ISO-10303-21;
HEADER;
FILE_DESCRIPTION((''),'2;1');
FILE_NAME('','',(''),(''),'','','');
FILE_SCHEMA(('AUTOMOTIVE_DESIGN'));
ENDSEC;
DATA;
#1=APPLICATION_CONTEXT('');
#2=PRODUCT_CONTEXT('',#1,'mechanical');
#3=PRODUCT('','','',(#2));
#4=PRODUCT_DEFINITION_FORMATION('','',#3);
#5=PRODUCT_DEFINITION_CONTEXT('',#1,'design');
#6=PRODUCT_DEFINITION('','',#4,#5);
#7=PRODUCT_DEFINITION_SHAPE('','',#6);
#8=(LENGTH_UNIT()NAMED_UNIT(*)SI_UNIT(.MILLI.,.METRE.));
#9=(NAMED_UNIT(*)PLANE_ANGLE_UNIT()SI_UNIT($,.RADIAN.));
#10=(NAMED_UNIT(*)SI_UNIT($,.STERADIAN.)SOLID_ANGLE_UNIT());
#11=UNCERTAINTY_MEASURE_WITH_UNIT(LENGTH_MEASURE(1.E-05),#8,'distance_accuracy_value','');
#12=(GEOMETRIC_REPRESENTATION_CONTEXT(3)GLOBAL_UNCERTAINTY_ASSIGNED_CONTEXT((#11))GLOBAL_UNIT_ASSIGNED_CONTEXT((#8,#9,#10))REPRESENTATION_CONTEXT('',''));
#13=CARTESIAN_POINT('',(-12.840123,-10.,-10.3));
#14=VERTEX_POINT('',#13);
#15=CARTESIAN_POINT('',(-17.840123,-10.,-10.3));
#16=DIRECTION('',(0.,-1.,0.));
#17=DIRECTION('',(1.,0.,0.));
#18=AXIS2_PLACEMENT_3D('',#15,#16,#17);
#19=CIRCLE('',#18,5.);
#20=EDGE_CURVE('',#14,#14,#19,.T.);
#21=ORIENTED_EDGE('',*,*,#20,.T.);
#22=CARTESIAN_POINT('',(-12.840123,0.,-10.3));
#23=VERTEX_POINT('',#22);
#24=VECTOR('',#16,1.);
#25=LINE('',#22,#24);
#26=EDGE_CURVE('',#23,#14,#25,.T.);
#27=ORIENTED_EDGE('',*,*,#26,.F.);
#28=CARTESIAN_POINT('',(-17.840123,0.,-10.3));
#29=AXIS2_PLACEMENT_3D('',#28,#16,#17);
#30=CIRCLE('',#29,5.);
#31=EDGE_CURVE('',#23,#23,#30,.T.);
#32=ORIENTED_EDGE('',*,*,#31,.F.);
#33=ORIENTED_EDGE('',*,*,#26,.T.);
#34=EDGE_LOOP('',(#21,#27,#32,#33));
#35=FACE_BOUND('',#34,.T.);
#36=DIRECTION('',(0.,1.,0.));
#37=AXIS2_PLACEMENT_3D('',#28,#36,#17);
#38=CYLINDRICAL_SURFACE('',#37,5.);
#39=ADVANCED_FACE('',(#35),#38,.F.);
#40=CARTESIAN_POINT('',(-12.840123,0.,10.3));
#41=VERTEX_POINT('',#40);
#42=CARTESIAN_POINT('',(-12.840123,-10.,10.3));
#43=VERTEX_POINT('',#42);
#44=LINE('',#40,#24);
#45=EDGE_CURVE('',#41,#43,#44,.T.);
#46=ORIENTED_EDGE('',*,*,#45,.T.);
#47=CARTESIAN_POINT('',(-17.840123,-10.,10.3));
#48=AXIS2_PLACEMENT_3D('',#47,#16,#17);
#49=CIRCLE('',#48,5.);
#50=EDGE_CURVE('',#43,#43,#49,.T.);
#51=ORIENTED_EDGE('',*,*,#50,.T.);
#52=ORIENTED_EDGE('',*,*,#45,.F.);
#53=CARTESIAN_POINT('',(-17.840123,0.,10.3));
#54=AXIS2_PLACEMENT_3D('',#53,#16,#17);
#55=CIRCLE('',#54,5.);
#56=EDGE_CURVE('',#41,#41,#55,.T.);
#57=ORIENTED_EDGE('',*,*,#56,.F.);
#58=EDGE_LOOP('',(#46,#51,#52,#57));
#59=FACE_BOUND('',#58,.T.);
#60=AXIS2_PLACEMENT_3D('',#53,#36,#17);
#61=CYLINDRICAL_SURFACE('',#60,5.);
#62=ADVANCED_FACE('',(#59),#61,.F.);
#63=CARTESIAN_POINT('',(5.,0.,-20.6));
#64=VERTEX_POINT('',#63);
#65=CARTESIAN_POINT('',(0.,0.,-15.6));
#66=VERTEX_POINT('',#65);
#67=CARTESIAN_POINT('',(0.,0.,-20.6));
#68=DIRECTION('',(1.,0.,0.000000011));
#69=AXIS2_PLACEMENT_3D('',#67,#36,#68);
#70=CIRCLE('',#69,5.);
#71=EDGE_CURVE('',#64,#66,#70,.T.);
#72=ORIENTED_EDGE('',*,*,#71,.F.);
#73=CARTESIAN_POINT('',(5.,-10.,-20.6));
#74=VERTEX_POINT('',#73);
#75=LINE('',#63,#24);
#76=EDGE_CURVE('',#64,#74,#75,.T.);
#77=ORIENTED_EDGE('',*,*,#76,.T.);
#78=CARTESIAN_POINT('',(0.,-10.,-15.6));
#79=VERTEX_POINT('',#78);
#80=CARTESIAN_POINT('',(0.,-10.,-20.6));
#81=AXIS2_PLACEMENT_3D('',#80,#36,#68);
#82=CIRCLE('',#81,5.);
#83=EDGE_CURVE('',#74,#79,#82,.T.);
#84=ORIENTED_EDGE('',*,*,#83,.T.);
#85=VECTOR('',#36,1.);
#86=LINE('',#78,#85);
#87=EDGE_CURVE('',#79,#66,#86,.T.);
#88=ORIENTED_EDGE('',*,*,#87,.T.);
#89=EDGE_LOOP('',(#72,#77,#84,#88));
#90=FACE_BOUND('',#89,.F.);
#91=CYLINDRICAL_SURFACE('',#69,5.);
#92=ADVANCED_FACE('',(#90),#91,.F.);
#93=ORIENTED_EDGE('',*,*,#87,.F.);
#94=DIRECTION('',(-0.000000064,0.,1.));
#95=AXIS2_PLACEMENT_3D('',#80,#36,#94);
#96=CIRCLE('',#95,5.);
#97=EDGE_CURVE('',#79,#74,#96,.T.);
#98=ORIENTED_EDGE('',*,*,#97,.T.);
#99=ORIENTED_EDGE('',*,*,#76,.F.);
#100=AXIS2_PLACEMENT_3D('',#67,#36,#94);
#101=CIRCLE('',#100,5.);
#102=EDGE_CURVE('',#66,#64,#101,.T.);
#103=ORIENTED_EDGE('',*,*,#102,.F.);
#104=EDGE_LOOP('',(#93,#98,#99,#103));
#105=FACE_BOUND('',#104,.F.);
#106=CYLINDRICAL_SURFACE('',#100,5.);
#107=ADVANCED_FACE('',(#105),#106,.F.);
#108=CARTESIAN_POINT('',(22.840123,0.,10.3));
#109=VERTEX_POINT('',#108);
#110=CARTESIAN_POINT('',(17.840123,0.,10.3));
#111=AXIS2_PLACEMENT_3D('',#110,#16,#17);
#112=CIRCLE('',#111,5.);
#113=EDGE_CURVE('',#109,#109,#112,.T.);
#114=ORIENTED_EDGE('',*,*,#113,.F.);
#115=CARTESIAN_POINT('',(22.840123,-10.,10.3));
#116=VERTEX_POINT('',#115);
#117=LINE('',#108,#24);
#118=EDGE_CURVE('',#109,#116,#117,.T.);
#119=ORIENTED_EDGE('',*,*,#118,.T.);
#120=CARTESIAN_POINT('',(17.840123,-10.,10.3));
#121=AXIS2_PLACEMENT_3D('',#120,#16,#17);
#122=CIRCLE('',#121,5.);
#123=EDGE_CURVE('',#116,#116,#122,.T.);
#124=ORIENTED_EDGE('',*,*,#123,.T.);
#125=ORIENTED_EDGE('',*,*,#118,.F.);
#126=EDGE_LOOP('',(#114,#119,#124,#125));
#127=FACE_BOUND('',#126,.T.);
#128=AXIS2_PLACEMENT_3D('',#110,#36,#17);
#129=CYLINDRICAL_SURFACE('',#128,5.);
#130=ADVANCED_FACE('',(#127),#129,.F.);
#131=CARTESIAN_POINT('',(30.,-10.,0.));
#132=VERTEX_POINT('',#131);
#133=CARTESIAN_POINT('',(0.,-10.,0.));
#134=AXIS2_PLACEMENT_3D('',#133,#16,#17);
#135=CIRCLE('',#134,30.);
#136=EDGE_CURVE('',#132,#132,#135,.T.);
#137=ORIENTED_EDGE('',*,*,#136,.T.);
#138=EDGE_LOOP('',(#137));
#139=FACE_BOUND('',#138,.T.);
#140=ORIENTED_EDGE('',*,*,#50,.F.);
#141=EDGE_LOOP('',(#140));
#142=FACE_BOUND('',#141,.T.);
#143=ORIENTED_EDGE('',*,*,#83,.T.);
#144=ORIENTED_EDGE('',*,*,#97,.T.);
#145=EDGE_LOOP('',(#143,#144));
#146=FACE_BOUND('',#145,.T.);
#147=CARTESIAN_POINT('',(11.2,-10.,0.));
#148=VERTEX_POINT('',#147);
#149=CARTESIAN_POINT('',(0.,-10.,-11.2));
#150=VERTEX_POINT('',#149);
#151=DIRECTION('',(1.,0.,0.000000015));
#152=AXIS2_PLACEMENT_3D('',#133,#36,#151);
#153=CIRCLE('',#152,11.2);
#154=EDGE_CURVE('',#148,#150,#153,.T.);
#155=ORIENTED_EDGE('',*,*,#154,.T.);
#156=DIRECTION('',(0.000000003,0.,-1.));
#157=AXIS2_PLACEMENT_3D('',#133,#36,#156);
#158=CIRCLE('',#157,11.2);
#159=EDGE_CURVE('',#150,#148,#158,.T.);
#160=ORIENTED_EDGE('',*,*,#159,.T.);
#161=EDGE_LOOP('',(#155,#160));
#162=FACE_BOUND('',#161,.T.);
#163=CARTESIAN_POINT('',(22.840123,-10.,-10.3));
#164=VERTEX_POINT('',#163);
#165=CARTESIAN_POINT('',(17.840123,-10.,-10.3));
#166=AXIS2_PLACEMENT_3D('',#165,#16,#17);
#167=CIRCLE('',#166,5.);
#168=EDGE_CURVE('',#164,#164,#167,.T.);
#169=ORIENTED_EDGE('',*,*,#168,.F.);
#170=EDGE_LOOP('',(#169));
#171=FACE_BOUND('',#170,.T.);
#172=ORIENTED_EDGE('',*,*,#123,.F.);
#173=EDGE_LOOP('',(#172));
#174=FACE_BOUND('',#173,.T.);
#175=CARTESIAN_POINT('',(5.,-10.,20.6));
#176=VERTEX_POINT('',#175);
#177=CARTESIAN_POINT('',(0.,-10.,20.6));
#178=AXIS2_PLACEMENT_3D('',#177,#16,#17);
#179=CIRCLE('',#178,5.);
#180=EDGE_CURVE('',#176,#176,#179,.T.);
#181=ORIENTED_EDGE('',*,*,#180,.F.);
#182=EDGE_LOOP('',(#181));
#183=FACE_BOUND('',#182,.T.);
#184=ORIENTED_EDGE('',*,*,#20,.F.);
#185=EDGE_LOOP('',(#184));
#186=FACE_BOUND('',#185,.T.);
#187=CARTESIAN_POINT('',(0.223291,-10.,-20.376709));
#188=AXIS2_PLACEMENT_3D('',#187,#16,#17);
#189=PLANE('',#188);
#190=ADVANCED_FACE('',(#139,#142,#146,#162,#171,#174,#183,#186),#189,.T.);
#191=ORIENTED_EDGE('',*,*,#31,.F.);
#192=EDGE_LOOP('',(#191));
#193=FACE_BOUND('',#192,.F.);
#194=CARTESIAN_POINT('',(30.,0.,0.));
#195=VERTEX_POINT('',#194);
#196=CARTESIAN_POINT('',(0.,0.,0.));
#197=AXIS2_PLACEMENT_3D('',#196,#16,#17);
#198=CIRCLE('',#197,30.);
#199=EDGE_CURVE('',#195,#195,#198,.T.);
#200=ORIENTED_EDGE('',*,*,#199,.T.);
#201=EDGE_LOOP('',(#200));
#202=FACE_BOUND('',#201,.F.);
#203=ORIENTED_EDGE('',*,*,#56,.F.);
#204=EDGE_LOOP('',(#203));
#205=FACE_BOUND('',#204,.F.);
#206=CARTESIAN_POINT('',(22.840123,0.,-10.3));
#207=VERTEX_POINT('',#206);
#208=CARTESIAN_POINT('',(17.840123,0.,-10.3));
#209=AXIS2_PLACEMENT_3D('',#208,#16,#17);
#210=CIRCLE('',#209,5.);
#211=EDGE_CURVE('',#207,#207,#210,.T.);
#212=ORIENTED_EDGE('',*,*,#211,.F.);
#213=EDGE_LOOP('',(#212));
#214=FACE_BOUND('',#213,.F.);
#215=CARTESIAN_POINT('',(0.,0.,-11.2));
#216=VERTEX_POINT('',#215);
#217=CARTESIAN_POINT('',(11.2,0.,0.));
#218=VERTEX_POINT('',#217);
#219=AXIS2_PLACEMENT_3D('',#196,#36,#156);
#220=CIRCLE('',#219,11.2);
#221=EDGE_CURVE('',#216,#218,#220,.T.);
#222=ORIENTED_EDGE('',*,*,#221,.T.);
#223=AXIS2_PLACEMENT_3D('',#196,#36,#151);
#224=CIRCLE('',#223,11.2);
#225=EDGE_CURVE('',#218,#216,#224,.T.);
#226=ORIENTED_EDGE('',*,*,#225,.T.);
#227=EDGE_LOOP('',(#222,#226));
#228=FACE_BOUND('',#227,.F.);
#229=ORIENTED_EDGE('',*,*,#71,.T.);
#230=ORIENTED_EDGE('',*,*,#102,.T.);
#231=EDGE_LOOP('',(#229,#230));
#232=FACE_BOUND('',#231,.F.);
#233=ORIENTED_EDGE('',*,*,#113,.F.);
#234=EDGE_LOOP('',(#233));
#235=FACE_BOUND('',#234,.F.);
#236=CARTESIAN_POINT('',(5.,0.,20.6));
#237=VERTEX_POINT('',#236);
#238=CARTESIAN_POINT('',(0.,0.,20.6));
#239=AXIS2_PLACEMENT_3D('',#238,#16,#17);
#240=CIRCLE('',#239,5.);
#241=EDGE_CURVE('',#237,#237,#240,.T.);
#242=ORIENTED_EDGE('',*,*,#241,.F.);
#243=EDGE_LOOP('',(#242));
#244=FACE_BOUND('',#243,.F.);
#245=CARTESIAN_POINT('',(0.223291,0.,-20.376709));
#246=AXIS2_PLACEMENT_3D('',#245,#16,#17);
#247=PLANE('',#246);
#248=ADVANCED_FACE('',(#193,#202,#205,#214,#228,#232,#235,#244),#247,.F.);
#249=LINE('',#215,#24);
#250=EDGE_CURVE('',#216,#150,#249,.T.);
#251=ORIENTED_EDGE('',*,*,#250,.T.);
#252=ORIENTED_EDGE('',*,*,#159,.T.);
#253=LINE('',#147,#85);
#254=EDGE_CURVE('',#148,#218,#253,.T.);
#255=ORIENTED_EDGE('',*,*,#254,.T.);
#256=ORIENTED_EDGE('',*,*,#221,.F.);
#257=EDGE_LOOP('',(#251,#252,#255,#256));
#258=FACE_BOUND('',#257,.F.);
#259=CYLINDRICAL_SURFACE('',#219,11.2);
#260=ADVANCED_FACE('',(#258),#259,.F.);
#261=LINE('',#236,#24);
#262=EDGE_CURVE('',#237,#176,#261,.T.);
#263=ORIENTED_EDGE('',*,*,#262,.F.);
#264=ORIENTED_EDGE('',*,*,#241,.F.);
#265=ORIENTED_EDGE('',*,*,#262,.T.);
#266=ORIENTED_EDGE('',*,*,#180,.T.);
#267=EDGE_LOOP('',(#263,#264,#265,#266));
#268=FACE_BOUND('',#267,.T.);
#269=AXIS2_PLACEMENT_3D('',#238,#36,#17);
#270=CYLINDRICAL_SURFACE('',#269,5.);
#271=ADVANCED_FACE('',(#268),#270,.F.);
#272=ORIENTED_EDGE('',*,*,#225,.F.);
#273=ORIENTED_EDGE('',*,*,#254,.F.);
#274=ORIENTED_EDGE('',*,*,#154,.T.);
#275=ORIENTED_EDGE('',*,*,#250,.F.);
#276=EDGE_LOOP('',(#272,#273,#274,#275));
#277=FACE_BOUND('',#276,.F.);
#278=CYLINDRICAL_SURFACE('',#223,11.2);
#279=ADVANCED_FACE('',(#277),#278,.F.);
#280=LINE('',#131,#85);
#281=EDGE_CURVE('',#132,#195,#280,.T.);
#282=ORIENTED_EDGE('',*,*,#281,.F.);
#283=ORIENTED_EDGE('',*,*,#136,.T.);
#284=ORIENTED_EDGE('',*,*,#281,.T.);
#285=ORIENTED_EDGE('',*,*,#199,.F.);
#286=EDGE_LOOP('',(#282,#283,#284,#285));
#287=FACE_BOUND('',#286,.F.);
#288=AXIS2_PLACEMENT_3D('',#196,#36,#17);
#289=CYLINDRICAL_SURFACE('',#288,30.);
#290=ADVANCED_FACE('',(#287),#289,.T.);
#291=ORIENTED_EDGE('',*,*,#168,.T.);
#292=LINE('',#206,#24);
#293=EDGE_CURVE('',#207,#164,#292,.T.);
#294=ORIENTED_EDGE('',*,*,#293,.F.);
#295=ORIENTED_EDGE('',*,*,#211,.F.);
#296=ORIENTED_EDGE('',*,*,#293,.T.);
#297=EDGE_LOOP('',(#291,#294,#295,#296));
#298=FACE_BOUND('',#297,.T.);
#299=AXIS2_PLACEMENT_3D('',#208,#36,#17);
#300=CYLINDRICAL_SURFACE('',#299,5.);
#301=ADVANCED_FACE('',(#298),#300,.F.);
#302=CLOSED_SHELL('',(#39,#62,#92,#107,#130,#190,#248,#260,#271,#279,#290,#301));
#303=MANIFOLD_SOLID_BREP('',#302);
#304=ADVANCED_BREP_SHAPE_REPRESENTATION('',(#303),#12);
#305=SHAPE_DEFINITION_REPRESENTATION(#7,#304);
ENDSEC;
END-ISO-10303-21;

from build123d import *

# Parameters (mm, degrees)
F0_R     = 30
F0_R_2   = 5
F1_DEPTH = 7
F2_DEPTH = 10


with BuildPart() as f1:
    # F0 (on Front) → F1 (new body)
    with BuildSketch(Plane.XZ):
        with BuildLine():
            ThreePointArc((5, -20.6), (3.535534, -17.064466), (0, -15.6))
            ThreePointArc((0, -15.6), (-3.535534, -24.135534), (5, -20.6))
        make_face()
        Circle(F0_R)
        with Locations((-17.840123, -10.3)):
            Circle(F0_R_2, mode=Mode.SUBTRACT)
        with BuildLine():
            ThreePointArc((5, -20.6), (-3.535534, -24.135534), (0, -15.6))
            ThreePointArc((0, -15.6), (3.535534, -17.064466), (5, -20.6))
        make_face(mode=Mode.SUBTRACT)
        with Locations((17.840123, -10.3)):
            Circle(F0_R_2, mode=Mode.SUBTRACT)
        with Locations((-17.840123, 10.3)):
            Circle(F0_R_2, mode=Mode.SUBTRACT)
        with BuildLine():
            ThreePointArc((0, -11.2), (-7.919596, 7.919596), (11.2, 0))
            ThreePointArc((11.2, 0), (7.919596, -7.919596), (0, -11.2))
        make_face(mode=Mode.SUBTRACT)
        with Locations((17.840123, 10.3)):
            Circle(F0_R_2, mode=Mode.SUBTRACT)
        with Locations((0, 20.6)):
            Circle(F0_R_2, mode=Mode.SUBTRACT)
    extrude(amount=F1_DEPTH)

    # F0 (on Front) → F2 (join)
    with BuildSketch(Plane.XZ):
        with BuildLine():
            ThreePointArc((5, -20.6), (3.535534, -17.064466), (0, -15.6))
            ThreePointArc((0, -15.6), (-3.535534, -24.135534), (5, -20.6))
        make_face()
        Circle(F0_R)
        with Locations((-17.840123, -10.3)):
            Circle(F0_R_2, mode=Mode.SUBTRACT)
        with BuildLine():
            ThreePointArc((5, -20.6), (-3.535534, -24.135534), (0, -15.6))
            ThreePointArc((0, -15.6), (3.535534, -17.064466), (5, -20.6))
        make_face(mode=Mode.SUBTRACT)
        with Locations((17.840123, -10.3)):
            Circle(F0_R_2, mode=Mode.SUBTRACT)
        with Locations((-17.840123, 10.3)):
            Circle(F0_R_2, mode=Mode.SUBTRACT)
        with BuildLine():
            ThreePointArc((0, -11.2), (-7.919596, 7.919596), (11.2, 0))
            ThreePointArc((11.2, 0), (7.919596, -7.919596), (0, -11.2))
        make_face(mode=Mode.SUBTRACT)
        with Locations((17.840123, 10.3)):
            Circle(F0_R_2, mode=Mode.SUBTRACT)
        with Locations((0, 20.6)):
            Circle(F0_R_2, mode=Mode.SUBTRACT)
    extrude(amount=F2_DEPTH)


solid = f1.part
